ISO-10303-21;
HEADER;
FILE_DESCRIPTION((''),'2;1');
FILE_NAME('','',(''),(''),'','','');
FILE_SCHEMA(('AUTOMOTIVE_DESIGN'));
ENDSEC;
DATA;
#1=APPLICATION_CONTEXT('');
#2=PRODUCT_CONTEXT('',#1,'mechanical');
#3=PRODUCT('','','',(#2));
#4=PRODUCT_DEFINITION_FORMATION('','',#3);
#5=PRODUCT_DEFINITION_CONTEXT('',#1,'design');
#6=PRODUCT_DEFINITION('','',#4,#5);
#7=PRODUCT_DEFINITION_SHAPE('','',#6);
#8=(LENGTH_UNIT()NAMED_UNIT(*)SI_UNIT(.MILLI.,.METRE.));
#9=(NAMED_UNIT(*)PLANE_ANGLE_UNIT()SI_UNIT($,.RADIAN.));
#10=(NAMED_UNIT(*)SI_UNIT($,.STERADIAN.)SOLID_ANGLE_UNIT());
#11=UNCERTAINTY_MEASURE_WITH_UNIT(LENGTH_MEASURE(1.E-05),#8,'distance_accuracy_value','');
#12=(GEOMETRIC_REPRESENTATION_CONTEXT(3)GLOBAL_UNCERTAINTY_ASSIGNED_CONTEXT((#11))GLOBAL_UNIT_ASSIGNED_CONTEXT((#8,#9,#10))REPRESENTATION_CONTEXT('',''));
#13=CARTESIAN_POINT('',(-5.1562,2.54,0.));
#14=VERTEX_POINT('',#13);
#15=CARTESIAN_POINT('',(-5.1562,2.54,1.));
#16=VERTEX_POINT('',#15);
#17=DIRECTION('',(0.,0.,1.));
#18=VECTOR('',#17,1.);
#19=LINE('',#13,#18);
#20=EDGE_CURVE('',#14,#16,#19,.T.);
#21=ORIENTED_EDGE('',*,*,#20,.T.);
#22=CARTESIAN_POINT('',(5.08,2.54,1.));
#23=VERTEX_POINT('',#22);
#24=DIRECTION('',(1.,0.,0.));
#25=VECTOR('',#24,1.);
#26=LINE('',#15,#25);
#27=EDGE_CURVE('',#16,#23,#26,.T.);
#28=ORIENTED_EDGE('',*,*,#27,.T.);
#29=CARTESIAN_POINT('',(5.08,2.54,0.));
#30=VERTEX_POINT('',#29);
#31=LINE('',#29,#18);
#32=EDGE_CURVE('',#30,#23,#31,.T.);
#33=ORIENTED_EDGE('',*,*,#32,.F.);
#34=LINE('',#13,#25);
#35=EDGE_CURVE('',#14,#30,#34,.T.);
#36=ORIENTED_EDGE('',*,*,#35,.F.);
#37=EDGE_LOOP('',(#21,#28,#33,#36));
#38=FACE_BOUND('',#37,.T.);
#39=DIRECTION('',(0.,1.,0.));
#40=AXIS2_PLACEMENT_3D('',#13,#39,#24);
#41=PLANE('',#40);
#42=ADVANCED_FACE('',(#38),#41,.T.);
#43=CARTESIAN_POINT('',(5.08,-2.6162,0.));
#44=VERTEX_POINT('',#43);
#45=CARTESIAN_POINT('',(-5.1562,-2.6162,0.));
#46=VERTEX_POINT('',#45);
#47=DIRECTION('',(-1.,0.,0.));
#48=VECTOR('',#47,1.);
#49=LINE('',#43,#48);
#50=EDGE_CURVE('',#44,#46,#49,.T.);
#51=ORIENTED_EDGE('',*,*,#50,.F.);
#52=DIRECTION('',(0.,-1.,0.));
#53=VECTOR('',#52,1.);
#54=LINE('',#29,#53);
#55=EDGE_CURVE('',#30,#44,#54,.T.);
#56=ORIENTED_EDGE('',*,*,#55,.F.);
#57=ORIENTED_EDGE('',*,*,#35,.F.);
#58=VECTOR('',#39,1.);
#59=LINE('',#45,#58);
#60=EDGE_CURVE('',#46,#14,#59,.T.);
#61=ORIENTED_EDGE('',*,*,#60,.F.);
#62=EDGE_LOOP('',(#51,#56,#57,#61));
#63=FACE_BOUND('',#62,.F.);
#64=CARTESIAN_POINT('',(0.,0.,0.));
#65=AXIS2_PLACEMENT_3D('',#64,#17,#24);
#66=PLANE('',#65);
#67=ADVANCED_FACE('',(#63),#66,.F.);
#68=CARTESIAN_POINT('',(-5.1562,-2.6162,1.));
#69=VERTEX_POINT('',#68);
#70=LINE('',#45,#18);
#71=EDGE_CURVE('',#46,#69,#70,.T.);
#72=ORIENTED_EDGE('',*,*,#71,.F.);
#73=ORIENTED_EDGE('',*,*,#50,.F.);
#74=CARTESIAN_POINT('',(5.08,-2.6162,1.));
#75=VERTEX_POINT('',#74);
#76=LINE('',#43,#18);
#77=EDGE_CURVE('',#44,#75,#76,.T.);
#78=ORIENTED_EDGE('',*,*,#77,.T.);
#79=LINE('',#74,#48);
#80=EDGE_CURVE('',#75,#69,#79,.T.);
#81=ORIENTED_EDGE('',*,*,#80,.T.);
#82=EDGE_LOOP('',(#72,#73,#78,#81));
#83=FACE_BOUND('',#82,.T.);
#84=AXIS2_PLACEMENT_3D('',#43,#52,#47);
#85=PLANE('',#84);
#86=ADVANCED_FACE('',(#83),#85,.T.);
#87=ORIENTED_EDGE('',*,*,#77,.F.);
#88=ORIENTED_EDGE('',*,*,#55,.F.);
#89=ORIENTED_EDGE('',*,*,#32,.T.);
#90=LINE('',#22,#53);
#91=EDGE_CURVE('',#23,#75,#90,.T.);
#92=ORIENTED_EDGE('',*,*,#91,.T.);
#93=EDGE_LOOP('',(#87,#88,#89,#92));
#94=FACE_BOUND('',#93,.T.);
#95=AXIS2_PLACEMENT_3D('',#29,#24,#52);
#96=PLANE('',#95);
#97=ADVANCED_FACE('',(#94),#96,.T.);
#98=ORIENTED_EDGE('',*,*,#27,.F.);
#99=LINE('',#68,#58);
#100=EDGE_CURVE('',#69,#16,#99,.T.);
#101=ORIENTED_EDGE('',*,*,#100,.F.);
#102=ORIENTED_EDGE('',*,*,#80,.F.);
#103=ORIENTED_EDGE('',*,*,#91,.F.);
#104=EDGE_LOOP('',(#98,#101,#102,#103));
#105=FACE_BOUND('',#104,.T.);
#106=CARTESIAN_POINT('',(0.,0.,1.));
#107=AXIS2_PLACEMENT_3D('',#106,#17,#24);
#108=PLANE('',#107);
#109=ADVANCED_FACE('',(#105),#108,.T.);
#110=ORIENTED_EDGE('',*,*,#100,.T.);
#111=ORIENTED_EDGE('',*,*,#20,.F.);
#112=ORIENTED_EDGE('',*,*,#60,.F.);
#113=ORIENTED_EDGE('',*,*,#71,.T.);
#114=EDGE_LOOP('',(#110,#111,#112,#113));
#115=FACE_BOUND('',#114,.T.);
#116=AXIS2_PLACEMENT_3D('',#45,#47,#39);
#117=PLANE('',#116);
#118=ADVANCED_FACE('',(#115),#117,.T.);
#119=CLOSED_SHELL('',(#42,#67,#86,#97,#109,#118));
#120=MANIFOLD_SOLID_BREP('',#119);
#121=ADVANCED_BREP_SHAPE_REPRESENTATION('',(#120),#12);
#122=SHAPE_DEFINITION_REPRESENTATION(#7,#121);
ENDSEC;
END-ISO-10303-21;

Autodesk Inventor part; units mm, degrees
ref_plane "YZ Plane" through (0, 0, 0) normal (1, 0, 0) x (0, 1, 0)
ref_plane "XZ Plane" through (0, 0, 0) normal (0, 1, 0) x (-1, 0, 0)
ref_plane "XY Plane" through (0, 0, 0) normal (0, 0, 1) x (1, 0, 0)
sketch "2X04, NON-ISOLATED_CON_2X04_83" plane through (0, 0, 0) normal (0, 0, 1) x (1, 0, 0)
  line L0 (-5.1562, 2.54) -> (5.08, 2.54)
  line L1 (5.08, 2.54) -> (5.08, -2.6162)
  line L2 (5.08, -2.6162) -> (-5.1562, -2.6162)
  line L3 (-5.1562, -2.6162) -> (-5.1562, 2.54)
extrude "Extrusion1" add sketch "2X04, NON-ISOLATED_CON_2X04_83" along normal blind 1
properties part number "NON-ISOLATED_CON_2X04"
